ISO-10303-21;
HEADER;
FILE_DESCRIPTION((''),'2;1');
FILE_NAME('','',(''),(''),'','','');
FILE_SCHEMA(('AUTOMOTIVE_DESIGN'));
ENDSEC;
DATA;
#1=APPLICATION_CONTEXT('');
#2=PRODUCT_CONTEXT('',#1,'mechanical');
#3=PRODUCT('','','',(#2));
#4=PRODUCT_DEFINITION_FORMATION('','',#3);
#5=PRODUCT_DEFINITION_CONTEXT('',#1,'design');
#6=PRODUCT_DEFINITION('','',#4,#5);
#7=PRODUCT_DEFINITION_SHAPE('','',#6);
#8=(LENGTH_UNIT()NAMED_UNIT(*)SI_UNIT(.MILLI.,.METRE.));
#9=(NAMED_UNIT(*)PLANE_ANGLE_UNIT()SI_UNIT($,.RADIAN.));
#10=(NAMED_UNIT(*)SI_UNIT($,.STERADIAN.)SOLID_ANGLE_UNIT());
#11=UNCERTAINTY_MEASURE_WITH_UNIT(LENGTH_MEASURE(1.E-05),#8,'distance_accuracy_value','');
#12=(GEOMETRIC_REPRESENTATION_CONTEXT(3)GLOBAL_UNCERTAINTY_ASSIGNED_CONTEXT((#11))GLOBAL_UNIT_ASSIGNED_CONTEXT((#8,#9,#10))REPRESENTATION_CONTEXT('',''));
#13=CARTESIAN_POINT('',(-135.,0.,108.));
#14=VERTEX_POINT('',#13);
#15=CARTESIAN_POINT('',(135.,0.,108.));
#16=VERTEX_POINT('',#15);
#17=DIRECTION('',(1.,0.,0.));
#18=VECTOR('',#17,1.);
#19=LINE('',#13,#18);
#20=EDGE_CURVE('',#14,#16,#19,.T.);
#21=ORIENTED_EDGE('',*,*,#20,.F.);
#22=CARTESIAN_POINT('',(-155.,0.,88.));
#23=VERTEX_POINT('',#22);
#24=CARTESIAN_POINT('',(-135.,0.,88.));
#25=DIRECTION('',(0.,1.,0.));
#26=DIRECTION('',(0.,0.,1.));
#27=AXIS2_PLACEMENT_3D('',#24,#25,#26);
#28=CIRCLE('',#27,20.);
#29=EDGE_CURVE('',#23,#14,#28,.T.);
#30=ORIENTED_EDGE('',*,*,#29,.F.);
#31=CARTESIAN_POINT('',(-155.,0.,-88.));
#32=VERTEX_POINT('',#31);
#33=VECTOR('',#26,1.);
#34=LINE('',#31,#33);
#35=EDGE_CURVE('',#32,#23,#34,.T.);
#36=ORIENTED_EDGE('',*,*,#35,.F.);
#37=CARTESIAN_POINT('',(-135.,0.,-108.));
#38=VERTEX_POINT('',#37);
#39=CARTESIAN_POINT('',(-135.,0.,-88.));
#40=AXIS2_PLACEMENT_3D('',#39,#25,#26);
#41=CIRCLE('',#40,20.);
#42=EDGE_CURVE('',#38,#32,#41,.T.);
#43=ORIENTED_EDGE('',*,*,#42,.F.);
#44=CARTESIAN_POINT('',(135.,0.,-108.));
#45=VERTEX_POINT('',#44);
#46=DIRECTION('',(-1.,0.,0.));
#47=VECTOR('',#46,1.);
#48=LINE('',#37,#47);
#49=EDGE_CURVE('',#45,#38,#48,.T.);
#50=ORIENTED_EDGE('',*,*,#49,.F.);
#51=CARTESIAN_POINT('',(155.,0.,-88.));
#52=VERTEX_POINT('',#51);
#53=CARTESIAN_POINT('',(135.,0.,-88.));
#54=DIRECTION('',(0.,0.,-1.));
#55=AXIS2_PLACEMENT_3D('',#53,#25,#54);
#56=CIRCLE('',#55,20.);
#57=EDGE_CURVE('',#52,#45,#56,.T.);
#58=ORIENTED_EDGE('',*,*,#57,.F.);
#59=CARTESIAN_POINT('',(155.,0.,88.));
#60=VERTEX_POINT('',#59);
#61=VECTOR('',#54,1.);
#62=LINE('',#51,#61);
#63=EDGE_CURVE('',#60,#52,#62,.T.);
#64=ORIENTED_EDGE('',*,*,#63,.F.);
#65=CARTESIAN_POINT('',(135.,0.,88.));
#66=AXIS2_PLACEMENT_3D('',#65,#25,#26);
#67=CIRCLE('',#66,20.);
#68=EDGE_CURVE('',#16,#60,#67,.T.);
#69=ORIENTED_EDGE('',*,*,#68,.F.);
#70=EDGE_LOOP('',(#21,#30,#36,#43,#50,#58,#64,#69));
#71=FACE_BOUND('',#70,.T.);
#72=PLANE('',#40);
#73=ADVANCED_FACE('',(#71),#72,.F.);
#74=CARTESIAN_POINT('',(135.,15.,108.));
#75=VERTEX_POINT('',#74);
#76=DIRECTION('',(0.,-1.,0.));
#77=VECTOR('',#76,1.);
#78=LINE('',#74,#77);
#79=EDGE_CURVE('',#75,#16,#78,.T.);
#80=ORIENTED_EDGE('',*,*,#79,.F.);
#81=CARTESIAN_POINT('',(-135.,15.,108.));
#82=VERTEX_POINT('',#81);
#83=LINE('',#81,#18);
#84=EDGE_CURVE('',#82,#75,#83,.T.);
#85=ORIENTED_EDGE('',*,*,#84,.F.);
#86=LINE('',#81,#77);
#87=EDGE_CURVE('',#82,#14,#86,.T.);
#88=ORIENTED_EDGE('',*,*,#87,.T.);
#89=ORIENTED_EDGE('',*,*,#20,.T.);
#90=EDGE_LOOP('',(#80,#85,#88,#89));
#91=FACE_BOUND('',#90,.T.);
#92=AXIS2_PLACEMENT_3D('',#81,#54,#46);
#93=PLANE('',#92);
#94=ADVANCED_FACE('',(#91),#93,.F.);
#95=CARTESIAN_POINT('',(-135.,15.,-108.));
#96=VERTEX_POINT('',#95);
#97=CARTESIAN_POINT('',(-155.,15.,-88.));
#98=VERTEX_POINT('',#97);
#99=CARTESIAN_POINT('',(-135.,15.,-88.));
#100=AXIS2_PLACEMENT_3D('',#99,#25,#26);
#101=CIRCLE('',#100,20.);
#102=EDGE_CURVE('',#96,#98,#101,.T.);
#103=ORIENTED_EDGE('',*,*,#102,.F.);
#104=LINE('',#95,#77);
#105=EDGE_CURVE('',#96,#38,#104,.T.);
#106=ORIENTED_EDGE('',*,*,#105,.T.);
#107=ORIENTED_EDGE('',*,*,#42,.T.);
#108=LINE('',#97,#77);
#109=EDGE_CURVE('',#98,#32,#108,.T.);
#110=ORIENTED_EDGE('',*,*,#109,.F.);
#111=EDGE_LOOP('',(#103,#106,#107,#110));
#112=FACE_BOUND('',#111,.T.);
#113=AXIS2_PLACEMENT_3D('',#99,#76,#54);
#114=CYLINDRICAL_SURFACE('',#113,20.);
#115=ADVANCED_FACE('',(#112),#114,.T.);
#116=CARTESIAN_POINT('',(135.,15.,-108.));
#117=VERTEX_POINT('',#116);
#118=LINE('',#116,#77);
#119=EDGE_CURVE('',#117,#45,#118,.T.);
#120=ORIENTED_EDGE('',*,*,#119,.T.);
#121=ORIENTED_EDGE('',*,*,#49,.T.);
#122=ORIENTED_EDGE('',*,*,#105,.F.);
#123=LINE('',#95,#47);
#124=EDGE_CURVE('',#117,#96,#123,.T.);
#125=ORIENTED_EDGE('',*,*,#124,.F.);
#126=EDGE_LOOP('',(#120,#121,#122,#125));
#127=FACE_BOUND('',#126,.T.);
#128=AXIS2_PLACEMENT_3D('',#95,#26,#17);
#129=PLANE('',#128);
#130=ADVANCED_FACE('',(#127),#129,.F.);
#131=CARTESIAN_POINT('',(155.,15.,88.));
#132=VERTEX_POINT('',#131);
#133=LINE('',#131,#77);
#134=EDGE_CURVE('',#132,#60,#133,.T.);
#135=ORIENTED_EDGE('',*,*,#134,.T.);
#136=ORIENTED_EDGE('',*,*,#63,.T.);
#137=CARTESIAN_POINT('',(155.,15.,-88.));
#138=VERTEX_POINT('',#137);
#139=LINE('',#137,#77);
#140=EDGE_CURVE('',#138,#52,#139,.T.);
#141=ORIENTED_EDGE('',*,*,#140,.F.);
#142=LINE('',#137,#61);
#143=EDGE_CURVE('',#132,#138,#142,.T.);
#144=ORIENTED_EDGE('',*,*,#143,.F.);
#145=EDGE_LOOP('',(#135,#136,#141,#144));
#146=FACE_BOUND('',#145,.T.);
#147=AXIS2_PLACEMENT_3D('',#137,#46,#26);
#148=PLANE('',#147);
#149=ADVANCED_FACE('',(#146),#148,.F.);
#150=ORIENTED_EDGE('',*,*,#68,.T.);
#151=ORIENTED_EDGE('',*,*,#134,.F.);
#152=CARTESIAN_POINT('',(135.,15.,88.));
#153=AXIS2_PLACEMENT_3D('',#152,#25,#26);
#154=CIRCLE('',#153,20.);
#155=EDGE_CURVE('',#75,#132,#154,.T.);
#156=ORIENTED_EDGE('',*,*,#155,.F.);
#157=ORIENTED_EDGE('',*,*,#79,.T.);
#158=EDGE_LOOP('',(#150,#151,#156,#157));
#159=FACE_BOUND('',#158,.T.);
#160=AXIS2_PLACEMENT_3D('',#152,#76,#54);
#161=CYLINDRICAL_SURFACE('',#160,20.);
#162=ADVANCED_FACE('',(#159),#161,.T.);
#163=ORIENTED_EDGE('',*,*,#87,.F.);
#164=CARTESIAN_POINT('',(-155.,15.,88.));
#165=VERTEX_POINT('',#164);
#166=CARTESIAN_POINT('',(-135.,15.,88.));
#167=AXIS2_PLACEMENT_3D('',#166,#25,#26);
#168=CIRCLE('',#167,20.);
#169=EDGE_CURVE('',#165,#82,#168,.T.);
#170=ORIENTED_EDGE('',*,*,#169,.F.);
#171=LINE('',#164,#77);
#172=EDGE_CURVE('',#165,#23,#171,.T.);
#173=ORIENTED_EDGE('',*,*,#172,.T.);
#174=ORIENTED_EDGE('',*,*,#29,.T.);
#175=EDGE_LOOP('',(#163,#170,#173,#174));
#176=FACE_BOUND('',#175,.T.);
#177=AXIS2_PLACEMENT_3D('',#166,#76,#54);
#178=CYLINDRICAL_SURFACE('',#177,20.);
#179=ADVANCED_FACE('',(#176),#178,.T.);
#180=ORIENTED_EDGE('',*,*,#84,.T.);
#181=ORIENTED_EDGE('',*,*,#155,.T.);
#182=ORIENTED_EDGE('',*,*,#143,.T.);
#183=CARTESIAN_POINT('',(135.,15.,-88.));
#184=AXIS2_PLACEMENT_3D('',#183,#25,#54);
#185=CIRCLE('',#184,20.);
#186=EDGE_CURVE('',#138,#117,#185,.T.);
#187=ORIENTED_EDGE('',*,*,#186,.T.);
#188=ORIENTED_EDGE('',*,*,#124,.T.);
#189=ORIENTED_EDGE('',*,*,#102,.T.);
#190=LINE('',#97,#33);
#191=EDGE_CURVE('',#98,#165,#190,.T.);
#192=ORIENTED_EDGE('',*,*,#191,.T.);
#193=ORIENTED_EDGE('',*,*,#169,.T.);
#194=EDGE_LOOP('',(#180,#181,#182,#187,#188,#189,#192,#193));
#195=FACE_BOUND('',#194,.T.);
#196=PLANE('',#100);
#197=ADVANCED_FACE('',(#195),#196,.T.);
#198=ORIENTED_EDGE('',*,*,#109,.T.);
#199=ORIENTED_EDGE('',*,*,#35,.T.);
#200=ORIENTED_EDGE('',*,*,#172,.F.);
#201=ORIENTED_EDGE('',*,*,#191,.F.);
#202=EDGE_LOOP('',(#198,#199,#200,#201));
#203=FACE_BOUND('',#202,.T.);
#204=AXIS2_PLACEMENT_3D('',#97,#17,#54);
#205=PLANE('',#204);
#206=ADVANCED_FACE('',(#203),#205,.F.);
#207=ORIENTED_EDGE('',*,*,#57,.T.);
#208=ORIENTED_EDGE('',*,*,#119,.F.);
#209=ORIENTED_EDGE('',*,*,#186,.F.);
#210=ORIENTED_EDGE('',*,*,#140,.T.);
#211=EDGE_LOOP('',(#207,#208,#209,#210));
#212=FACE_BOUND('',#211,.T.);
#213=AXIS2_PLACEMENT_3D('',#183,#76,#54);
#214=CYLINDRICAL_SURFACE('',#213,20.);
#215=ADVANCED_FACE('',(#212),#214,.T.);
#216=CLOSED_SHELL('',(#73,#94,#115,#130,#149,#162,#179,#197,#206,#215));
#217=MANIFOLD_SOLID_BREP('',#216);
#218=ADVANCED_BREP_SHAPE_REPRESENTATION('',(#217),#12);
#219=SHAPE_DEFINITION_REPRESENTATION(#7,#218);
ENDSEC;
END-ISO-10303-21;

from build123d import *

# Parameters (mm, degrees)
EXTRUDE_1_DEPTH = 15


with BuildPart() as part:
    # Эскиз1 → Бобышка-Вытянуть1 (new body)
    with BuildSketch(Plane(origin=(0, 0, 0), x_dir=(1, 0, 0), z_dir=(0, 1, 0))):
        with BuildLine():
            Line((-135, 108), (135, 108))
            ThreePointArc((135, 108), (149.142135624, 102.142135624), (155, 88))
            Line((155, 88), (155, -88))
            ThreePointArc((155, -88), (149.142135624, -102.142135624), (135, -108))
            Line((135, -108), (-135, -108))
            ThreePointArc((-135, -108), (-149.142135624, -102.142135624), (-155, -88))
            Line((-155, -88), (-155, 88))
            ThreePointArc((-155, 88), (-149.142135624, 102.142135624), (-135, 108))
        make_face()
    extrude(amount=EXTRUDE_1_DEPTH)


solid = part.part
